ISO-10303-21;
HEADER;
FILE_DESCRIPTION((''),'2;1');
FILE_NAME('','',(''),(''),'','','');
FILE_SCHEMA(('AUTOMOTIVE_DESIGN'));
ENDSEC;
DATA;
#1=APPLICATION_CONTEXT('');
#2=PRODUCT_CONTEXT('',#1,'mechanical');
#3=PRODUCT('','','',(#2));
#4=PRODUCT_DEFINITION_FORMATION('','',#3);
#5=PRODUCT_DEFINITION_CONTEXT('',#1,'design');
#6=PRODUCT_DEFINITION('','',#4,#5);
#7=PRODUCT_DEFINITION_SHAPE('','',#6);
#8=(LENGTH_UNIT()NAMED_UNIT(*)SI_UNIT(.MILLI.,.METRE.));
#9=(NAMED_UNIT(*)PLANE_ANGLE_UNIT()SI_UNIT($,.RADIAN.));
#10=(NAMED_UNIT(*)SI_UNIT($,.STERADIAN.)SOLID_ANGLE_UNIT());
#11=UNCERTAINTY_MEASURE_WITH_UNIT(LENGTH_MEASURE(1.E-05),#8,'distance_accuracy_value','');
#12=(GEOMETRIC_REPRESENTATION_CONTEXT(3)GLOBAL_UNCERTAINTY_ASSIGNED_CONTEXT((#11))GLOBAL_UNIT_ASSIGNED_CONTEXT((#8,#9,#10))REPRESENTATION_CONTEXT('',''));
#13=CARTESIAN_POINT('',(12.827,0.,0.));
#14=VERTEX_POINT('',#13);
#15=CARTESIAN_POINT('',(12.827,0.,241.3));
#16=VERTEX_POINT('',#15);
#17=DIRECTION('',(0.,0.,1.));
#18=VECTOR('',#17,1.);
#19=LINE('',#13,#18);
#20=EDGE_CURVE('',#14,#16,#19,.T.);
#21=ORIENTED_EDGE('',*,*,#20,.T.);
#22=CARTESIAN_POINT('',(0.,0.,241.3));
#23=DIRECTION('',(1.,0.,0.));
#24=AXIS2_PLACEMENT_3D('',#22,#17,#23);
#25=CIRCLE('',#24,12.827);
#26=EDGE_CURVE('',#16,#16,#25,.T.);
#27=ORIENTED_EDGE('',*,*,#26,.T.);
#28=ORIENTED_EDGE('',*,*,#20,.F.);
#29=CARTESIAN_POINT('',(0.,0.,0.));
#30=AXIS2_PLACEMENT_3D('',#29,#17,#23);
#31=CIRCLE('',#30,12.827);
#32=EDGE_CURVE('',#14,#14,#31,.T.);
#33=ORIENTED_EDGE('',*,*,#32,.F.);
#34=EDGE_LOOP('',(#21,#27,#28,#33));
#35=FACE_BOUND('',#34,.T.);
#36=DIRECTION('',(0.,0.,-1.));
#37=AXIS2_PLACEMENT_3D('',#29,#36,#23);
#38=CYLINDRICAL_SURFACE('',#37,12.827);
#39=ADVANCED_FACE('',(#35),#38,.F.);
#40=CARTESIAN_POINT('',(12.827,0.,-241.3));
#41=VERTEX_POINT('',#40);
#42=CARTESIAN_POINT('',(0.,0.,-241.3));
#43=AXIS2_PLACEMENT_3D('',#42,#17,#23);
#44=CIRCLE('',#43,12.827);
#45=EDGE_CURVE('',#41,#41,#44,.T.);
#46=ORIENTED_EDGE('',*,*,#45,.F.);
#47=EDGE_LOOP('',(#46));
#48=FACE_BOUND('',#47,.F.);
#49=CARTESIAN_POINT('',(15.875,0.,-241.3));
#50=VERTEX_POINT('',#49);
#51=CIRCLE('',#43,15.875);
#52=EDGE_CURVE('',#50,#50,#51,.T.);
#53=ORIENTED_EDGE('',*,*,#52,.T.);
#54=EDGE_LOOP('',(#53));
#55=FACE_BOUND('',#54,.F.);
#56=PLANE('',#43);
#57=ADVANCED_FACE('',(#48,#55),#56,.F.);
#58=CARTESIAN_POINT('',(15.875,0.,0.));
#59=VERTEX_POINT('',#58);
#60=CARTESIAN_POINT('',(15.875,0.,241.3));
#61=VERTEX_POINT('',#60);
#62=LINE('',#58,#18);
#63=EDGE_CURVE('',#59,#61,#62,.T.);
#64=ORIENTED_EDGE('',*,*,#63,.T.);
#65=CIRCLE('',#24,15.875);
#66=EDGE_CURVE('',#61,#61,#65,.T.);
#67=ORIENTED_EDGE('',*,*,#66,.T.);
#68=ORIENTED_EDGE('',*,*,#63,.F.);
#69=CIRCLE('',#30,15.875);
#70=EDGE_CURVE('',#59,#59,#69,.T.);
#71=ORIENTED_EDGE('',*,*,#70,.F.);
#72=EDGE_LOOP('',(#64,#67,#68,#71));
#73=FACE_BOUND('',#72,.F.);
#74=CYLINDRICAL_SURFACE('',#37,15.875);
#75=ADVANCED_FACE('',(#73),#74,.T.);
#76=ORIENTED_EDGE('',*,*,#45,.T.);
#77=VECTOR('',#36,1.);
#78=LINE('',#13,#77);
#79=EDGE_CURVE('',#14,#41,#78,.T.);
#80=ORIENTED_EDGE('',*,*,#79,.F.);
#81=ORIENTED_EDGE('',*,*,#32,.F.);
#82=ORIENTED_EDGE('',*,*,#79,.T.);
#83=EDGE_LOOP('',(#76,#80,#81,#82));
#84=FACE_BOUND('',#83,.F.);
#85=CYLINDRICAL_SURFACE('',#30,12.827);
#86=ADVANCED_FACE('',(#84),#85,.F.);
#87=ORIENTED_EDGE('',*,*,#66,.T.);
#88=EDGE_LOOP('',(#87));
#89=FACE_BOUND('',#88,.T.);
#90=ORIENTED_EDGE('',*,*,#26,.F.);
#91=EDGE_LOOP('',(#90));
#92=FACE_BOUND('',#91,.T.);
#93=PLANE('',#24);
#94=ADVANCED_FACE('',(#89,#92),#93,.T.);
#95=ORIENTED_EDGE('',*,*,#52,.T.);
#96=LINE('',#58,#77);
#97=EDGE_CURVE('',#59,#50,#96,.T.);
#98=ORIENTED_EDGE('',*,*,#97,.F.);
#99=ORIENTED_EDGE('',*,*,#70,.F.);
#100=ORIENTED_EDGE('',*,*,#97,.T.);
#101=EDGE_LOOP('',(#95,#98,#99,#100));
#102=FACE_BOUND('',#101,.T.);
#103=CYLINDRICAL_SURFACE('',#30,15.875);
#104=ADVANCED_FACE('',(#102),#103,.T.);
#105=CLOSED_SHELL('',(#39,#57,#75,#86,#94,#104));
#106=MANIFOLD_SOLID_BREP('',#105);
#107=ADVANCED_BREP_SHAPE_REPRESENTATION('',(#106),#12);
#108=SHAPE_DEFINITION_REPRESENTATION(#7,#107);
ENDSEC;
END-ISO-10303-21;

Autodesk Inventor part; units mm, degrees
ref_plane "YZ Plane" through (0, 0, 0) normal (1, 0, 0) x (0, 1, 0)
ref_plane "XZ Plane" through (0, 0, 0) normal (0, 1, 0) x (-1, 0, 0)
ref_plane "XY Plane" through (0, 0, 0) normal (0, 0, 1) x (1, 0, 0)
sketch "Sketch1" plane through (0, 0, 0) normal (0, 0, 1) x (1, 0, 0)
  circle A0 centre (0, 0) radius 15.875
  circle A1 centre (0, 0) radius 12.827
  dimension "d0" = 31.75
  dimension "d1" = 3.048
extrude "Extrusion1" add sketch "Sketch1" along normal mid plane 482.6
properties part number "Rod"
